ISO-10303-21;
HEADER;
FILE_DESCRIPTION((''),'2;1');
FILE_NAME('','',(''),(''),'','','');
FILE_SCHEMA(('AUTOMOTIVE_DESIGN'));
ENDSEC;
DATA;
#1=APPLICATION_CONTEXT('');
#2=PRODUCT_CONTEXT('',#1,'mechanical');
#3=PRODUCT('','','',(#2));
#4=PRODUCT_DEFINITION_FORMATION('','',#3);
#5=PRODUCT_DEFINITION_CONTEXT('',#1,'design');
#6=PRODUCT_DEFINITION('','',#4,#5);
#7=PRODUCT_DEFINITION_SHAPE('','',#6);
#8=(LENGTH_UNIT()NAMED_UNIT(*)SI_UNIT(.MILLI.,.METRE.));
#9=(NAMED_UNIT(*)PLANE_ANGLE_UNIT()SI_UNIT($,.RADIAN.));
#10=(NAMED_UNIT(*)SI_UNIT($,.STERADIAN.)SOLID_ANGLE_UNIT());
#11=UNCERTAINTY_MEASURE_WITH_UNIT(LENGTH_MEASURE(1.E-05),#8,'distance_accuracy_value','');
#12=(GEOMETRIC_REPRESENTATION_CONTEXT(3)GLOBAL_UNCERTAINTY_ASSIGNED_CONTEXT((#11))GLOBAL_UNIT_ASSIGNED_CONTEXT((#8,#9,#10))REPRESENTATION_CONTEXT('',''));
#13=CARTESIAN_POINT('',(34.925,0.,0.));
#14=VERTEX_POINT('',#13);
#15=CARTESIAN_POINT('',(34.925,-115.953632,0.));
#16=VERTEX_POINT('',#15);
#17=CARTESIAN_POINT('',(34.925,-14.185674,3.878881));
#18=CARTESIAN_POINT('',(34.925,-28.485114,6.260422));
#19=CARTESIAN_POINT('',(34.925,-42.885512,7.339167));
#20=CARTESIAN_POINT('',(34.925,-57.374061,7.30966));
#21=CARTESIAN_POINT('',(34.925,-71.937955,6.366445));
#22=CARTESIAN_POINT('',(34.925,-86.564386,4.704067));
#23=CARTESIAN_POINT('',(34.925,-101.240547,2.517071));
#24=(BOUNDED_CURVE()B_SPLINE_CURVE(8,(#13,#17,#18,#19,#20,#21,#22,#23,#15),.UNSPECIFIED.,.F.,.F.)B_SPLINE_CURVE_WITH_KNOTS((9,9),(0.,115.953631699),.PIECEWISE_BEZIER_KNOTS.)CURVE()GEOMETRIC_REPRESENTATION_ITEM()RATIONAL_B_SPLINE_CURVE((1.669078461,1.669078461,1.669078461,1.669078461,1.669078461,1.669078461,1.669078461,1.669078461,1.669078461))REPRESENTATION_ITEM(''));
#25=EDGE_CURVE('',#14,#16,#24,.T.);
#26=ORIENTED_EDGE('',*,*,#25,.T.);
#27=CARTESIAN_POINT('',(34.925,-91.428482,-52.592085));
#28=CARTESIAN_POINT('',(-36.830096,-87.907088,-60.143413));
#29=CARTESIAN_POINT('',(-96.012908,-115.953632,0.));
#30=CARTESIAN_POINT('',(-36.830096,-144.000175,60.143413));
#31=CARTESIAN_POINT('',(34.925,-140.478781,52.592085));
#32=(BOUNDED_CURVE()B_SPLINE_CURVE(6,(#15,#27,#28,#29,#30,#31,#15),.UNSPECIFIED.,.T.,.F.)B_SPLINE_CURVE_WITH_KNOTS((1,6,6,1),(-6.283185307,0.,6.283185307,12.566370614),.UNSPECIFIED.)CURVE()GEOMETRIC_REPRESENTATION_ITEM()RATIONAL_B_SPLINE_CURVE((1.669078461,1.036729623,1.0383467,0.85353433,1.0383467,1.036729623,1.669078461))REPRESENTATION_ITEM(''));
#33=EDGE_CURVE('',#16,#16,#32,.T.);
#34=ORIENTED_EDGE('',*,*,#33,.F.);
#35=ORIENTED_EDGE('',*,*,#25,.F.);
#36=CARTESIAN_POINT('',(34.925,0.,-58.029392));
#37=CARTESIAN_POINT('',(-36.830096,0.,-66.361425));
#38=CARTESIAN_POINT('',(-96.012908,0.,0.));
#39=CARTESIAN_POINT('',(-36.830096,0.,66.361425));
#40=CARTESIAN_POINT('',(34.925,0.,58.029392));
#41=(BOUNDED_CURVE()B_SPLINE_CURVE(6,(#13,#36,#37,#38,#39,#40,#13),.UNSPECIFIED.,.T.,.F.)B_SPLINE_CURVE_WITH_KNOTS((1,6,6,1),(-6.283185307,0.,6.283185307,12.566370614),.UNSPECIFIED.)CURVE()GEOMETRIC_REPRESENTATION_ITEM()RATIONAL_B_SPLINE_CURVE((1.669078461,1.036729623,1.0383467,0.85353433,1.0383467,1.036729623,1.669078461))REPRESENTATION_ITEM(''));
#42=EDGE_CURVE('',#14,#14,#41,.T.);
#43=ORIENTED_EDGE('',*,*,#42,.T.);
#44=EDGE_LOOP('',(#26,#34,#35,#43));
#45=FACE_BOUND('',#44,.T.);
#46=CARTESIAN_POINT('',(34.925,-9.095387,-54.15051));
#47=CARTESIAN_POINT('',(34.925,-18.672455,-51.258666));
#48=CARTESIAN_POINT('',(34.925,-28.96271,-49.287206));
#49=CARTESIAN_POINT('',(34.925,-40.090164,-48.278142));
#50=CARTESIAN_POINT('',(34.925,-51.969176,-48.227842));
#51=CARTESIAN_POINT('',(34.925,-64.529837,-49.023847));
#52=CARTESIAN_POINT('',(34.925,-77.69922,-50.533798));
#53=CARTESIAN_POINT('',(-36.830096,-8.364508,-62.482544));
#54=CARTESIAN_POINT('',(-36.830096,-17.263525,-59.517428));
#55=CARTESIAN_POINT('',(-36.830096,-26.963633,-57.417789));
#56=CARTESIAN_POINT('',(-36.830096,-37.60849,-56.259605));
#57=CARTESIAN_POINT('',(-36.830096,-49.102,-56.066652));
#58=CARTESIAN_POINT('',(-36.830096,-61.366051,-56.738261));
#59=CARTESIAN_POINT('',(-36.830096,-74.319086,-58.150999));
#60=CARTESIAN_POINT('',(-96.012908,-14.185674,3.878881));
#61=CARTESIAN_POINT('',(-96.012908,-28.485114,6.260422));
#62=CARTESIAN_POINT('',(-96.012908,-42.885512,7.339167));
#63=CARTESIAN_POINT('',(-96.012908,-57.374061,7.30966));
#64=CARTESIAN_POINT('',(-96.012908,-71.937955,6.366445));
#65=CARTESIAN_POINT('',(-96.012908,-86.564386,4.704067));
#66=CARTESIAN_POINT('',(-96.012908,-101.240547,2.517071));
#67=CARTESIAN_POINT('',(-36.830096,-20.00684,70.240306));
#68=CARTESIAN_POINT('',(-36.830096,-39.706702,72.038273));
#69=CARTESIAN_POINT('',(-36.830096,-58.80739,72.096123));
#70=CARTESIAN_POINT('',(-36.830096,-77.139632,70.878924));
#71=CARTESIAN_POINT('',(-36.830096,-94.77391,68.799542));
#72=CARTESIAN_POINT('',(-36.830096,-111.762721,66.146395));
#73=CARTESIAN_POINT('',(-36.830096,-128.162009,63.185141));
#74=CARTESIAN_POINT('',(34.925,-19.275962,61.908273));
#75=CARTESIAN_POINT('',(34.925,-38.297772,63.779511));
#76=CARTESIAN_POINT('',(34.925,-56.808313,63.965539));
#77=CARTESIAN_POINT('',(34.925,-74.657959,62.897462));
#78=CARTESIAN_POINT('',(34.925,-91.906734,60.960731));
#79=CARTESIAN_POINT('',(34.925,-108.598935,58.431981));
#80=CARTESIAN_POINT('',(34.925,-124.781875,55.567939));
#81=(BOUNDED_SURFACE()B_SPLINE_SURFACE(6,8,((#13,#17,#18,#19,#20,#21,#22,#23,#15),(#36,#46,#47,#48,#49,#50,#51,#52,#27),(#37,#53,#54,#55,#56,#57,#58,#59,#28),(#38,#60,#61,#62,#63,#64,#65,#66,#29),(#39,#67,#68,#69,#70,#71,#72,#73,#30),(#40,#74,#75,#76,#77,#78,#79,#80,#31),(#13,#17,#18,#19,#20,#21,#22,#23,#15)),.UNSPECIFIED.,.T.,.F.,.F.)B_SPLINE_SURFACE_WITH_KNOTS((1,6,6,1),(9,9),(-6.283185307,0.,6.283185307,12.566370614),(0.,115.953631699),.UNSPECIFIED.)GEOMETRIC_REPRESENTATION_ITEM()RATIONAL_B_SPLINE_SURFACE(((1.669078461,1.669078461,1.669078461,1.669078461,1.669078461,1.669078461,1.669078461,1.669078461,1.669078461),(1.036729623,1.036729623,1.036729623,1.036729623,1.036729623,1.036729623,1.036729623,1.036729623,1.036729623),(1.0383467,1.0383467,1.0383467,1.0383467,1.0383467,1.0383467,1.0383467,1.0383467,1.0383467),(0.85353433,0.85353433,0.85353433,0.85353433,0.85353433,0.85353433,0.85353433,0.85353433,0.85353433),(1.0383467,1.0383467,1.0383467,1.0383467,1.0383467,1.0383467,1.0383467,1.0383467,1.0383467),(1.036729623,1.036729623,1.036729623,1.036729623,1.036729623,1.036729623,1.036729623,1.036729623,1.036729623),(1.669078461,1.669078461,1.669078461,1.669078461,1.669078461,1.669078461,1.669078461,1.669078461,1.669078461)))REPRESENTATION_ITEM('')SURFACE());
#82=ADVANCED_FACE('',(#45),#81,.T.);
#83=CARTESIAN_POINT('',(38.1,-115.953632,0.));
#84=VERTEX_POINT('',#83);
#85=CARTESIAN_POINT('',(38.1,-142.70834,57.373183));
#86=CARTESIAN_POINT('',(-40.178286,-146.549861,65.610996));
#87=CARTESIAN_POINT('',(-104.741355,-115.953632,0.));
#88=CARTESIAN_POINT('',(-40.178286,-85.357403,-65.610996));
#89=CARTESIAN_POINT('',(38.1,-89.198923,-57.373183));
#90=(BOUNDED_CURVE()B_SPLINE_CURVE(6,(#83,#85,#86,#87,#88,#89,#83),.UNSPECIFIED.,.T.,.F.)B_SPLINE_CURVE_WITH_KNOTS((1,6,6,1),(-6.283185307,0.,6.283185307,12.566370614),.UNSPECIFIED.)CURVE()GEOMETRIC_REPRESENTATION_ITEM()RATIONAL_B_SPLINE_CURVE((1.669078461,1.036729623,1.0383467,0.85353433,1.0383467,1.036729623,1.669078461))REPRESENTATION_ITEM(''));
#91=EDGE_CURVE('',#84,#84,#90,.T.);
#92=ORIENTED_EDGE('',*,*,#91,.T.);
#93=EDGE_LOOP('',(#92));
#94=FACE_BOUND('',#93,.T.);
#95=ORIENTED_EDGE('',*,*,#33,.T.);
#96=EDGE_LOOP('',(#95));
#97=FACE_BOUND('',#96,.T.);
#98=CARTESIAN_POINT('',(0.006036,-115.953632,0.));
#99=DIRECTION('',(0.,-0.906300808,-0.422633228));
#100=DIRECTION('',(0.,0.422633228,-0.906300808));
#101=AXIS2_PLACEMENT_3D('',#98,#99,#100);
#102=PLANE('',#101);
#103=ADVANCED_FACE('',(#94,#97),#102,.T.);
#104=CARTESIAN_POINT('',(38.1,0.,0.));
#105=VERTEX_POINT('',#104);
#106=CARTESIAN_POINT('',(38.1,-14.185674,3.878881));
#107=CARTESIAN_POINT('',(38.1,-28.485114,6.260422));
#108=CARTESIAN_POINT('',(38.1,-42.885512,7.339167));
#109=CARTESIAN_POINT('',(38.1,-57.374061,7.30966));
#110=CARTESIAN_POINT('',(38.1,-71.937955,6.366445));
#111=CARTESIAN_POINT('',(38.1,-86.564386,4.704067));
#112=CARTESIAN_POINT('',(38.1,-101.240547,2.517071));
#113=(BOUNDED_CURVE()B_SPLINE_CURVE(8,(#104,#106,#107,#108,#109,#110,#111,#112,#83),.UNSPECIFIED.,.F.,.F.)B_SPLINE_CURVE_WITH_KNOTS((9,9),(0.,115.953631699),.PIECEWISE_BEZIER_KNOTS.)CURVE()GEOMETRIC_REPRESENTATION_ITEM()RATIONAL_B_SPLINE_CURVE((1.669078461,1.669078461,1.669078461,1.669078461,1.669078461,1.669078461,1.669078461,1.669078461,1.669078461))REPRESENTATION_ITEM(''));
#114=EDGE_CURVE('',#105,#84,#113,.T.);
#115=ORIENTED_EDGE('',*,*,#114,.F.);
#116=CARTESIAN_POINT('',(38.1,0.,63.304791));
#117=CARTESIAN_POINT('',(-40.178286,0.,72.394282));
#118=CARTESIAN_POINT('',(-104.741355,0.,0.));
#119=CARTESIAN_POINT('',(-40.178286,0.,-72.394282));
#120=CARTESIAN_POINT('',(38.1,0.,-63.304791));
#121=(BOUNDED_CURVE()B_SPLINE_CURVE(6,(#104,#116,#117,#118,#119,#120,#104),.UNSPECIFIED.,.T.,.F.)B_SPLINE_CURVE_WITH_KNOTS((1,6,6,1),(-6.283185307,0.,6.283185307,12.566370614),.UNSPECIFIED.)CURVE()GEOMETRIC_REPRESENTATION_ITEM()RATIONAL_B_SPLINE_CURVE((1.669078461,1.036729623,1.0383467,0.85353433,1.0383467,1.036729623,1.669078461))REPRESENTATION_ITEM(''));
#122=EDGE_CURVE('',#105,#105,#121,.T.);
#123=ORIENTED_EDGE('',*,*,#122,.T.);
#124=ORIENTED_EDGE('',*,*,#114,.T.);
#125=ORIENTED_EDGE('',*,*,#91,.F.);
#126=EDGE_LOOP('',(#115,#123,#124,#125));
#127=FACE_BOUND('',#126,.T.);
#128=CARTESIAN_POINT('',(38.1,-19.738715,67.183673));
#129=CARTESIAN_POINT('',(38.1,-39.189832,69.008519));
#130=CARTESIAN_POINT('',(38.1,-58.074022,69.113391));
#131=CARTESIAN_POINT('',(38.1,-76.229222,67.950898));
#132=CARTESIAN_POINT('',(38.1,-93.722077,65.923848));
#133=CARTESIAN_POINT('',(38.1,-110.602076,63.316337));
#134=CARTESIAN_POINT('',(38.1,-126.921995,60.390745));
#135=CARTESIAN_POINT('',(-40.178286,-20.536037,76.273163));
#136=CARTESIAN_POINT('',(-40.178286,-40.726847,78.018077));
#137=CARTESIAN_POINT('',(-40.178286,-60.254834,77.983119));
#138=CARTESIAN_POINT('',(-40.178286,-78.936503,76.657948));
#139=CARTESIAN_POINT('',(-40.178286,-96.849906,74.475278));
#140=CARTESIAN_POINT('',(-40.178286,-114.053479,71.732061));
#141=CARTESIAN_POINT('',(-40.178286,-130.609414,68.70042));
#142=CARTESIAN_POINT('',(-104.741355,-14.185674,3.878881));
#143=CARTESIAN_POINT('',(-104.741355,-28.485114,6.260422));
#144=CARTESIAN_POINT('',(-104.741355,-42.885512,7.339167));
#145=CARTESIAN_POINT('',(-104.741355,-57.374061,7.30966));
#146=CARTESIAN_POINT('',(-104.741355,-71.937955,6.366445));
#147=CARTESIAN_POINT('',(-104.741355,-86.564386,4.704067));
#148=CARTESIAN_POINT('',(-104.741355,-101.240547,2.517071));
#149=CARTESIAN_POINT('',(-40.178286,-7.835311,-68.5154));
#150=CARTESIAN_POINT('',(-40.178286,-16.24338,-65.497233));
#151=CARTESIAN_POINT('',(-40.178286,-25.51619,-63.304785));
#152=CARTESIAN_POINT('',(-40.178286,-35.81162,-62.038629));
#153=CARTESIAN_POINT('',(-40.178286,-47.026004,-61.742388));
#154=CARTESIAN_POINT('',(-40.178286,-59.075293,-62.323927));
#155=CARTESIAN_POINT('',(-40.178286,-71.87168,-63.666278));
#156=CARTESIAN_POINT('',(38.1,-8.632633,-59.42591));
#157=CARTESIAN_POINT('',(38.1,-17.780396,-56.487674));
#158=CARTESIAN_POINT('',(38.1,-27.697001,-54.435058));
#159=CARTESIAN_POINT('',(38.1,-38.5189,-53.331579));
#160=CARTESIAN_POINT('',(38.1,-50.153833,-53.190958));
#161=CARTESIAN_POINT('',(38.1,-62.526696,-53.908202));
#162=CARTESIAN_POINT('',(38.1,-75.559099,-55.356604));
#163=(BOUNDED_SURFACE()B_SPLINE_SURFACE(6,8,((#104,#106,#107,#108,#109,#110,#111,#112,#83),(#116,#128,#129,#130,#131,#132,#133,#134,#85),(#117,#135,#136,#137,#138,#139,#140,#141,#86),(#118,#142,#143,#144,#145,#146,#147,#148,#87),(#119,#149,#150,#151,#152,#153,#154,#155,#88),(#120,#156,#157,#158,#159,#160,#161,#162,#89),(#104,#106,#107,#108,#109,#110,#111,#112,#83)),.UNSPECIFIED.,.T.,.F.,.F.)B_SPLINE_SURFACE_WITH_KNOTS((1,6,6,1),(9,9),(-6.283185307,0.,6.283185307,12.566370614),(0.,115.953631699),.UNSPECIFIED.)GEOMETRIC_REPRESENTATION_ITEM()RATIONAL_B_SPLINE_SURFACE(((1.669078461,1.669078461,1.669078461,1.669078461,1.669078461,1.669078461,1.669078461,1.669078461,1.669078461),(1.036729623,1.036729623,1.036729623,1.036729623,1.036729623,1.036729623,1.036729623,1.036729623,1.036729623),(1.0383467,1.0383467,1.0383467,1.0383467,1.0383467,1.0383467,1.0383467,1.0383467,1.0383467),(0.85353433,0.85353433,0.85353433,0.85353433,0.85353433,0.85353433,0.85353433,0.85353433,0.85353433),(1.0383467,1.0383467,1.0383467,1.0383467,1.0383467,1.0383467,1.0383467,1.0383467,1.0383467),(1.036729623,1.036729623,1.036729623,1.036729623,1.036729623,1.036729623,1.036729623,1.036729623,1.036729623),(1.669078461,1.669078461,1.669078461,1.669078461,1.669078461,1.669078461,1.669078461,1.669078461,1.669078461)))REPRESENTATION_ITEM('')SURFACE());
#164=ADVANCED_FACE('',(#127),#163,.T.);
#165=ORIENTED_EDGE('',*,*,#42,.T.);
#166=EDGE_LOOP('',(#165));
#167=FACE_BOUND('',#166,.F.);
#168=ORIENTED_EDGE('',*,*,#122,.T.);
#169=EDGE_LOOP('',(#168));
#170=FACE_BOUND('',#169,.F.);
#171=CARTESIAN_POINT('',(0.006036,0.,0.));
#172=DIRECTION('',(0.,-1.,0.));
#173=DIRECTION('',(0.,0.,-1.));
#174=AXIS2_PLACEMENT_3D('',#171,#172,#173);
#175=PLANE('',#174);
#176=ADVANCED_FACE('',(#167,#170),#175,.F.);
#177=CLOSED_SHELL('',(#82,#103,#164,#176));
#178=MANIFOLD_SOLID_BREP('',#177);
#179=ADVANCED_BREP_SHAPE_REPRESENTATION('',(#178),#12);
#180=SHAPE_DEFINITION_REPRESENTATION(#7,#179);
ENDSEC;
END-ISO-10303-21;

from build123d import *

# Parameters (mm, degrees)
F0_R   = 38.1
F0_R_2 = 34.925


with BuildPart() as f2:
    # F2: sweep along a path in F1
    with BuildLine(Plane.YZ) as f2_path:
        add(Plane.YZ * Edge.make_bspline(
            [(0, 0), (-37.828464061, 10.3436838835), (-76.7187401652, 6.7121884786), (-115.9536316991, 0)],
            knots=[0, 0, 0, 0, 115.9536316991, 115.9536316991, 115.9536316991, 115.9536316991], degree=3))
    # F0 (on Front) → F2 (sweep)
    with BuildSketch(Plane.XZ):
        Circle(F0_R)
        Circle(F0_R_2, mode=Mode.SUBTRACT)
    sweep(path=f2_path.line)


solid = f2.part
